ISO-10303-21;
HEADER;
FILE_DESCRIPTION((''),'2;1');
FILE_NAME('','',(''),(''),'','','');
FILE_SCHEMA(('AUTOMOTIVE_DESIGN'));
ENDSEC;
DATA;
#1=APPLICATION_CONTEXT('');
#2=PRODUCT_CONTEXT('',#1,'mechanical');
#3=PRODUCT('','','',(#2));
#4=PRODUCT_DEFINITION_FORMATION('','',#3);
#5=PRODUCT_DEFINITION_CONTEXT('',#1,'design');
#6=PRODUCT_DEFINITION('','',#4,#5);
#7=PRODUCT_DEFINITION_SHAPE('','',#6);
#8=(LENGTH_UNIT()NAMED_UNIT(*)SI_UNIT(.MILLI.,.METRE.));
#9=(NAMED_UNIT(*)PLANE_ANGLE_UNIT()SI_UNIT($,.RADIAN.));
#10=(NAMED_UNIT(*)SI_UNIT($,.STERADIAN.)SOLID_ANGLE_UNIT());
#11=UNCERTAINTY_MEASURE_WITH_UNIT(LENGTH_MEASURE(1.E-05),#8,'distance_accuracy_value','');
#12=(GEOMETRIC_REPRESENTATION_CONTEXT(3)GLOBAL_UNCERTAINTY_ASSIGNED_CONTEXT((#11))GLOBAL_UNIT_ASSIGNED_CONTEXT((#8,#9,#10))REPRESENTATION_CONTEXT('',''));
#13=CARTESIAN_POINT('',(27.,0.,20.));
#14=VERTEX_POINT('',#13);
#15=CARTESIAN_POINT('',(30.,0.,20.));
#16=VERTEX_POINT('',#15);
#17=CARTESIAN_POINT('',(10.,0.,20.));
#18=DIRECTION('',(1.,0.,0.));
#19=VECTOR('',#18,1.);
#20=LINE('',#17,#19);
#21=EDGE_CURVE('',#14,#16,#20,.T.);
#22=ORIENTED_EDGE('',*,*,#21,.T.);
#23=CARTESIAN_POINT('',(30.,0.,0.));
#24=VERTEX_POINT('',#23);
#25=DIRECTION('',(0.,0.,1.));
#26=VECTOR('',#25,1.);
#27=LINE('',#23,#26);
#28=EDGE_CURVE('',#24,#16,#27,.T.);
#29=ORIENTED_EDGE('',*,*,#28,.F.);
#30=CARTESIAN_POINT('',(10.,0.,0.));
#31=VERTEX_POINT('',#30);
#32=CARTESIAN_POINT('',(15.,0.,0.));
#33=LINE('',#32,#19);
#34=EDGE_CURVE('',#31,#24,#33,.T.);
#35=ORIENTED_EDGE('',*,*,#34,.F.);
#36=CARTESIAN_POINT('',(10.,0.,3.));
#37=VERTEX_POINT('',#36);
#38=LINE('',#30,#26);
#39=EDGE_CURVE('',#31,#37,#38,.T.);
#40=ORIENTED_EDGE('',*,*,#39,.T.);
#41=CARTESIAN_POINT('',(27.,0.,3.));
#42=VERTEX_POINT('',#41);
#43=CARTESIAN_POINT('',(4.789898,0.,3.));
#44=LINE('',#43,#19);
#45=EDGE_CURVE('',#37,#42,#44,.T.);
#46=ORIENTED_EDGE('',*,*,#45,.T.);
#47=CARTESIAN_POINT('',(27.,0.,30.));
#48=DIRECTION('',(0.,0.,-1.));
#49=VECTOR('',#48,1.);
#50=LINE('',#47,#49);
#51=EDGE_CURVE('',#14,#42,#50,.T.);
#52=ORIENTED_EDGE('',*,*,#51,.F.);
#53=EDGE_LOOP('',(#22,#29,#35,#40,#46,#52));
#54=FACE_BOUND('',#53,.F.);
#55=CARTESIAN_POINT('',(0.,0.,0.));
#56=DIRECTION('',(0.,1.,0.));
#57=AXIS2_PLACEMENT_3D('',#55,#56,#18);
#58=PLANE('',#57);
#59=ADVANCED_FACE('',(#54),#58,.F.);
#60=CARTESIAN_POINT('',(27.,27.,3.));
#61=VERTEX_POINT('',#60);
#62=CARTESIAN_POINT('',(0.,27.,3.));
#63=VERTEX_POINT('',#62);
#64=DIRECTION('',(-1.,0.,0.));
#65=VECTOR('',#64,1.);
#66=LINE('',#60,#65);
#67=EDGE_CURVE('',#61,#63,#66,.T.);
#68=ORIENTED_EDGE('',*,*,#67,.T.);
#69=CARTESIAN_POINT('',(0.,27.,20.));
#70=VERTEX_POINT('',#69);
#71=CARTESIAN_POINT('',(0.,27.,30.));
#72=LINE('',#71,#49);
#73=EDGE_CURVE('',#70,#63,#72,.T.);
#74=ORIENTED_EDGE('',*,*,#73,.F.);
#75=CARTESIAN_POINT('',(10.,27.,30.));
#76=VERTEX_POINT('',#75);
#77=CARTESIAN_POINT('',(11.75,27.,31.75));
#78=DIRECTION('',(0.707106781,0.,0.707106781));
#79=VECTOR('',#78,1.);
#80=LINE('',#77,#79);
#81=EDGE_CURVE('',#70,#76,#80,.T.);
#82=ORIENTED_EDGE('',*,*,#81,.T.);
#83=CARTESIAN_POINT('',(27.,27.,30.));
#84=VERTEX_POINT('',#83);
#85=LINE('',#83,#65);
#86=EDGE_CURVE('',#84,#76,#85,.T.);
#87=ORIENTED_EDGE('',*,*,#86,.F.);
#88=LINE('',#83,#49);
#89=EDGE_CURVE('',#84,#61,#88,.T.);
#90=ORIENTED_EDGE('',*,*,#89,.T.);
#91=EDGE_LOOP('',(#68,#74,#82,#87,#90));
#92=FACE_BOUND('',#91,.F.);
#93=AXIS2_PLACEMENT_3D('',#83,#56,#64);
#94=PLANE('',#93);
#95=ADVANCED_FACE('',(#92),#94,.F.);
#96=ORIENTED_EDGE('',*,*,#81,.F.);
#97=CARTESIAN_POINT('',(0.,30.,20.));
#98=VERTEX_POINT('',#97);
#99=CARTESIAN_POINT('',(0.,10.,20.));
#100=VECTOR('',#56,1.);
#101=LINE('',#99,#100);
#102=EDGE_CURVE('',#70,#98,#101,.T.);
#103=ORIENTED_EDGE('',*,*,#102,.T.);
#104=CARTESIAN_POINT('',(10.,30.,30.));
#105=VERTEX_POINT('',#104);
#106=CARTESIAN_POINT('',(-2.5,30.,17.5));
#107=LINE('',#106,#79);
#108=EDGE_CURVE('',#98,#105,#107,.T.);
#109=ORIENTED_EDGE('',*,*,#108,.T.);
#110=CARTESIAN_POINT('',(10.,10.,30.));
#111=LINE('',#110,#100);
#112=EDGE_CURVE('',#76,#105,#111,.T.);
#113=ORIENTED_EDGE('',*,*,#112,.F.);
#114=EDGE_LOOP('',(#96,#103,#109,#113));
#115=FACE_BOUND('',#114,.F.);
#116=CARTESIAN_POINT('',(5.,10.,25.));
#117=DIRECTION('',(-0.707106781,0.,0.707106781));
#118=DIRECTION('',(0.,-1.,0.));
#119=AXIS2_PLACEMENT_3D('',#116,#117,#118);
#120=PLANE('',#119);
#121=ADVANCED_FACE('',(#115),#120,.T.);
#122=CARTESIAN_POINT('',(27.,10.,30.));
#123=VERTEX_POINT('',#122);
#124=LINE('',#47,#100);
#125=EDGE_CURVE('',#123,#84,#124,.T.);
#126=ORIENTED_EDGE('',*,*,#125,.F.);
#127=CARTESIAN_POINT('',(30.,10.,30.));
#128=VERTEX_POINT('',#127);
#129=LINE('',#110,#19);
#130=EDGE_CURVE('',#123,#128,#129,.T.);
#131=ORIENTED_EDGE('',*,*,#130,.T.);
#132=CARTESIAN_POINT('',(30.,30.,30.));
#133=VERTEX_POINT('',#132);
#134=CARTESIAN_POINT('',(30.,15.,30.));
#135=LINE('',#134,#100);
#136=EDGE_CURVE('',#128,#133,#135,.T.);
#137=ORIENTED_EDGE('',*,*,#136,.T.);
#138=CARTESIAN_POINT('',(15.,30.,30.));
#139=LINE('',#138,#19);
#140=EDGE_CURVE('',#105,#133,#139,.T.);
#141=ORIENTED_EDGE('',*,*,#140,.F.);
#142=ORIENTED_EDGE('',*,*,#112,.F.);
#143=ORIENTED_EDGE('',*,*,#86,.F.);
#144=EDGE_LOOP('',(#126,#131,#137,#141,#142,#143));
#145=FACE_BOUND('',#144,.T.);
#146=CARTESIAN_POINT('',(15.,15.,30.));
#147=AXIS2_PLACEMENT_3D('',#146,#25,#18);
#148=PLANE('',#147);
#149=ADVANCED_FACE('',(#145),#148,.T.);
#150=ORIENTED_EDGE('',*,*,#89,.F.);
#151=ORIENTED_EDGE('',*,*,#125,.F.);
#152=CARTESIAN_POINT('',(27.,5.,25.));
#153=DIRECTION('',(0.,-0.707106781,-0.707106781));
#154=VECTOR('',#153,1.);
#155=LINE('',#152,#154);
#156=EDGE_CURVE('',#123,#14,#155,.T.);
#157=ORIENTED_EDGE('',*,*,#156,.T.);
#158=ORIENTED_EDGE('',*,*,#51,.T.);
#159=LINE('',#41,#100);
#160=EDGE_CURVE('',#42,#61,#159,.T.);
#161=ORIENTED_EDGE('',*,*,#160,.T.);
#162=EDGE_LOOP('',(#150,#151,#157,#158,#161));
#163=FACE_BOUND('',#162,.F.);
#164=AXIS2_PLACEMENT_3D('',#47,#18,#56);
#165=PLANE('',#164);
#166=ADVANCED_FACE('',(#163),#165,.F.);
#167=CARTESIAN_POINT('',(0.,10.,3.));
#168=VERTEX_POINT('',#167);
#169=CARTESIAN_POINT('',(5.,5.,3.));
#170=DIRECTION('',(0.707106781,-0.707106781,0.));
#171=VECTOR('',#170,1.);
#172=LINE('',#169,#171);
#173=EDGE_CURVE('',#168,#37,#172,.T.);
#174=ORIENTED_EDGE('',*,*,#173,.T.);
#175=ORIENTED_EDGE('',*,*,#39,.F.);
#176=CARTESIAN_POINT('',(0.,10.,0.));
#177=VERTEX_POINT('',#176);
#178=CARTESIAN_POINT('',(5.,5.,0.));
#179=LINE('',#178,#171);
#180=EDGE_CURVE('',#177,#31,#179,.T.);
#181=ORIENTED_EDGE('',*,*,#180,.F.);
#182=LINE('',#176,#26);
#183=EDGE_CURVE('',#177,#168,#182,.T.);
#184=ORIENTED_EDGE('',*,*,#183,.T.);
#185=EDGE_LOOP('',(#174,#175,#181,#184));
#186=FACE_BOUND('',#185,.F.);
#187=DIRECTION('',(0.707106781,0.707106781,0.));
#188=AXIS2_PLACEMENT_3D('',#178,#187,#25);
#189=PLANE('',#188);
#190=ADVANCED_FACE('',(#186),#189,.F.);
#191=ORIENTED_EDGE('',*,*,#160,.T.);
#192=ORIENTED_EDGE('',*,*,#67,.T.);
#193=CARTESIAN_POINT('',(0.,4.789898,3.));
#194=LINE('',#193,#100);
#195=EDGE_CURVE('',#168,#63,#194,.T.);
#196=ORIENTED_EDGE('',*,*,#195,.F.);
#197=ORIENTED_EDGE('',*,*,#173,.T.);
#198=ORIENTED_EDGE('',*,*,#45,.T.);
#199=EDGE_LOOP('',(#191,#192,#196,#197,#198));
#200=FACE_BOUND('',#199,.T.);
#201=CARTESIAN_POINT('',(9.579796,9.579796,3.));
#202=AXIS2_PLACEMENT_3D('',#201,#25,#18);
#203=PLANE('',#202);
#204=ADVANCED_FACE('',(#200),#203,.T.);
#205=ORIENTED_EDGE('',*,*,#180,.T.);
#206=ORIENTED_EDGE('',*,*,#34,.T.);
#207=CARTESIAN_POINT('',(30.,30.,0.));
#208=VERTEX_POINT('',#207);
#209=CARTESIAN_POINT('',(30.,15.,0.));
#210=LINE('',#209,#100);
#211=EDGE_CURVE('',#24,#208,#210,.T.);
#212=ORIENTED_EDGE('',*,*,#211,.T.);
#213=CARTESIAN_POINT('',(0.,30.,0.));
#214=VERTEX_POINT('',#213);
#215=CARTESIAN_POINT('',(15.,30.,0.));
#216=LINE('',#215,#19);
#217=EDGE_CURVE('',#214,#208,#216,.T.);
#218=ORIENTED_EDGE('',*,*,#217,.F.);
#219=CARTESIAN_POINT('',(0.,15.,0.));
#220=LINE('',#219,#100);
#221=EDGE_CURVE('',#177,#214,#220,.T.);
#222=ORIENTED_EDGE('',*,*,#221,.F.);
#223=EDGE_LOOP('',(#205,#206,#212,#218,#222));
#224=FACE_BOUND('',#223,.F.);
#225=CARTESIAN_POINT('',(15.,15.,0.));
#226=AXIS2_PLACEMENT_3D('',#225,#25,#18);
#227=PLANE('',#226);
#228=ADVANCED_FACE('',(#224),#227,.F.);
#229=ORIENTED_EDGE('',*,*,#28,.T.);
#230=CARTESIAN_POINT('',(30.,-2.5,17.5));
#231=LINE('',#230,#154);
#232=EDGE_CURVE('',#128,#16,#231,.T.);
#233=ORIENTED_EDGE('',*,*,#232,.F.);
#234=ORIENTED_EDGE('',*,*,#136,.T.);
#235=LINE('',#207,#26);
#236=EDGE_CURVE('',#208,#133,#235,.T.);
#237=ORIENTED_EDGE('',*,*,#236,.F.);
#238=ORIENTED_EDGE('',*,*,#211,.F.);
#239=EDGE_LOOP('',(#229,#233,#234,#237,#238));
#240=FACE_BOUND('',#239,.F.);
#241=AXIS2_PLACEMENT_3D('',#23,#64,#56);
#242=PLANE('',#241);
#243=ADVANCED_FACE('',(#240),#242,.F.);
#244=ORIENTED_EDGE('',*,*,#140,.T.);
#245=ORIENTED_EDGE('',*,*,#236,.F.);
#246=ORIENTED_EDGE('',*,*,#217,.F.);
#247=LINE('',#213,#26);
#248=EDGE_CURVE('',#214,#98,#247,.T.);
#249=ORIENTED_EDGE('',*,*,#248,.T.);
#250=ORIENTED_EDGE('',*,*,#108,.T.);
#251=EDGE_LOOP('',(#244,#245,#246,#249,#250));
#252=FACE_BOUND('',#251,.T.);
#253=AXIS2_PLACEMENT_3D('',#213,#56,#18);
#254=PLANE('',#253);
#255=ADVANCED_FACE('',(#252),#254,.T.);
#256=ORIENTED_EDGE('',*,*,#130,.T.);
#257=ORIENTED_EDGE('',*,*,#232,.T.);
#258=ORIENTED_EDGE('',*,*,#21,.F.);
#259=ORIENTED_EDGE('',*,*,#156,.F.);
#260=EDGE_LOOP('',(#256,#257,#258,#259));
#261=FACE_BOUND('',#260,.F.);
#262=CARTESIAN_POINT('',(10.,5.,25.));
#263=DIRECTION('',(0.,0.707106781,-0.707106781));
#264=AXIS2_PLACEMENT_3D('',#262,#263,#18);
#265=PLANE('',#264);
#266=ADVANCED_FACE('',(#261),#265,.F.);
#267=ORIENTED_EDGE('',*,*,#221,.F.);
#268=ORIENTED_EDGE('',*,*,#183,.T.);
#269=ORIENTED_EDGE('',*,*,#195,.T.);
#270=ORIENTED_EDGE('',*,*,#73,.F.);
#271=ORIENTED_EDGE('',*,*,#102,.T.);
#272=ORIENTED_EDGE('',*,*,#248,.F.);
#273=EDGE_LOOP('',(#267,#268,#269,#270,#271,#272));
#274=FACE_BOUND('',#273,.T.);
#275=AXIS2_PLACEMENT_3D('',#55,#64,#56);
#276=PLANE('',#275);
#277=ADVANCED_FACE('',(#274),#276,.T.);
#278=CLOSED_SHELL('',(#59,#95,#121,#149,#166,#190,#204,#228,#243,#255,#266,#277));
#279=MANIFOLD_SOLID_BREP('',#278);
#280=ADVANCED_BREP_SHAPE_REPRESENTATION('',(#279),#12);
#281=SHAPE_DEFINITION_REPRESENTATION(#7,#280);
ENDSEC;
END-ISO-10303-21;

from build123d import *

# Parameters (mm, degrees)
F0_W     = 30
F0_H     = 30
F1_DEPTH = 30
F2_SIZE  = 10
F3_SIZE  = 10
F5_DEPTH = 27


with BuildPart() as f1:
    # F0 (on Top) → F1 (new body)
    with BuildSketch(Plane.XY):
        with Locations((15, 15)):
            Rectangle(F0_W, F0_H)
    extrude(amount=F1_DEPTH)

    # F2
    f2_edges = [f1.edges().sort_by_distance(p)[0] for p in [
        (0, 0, 15),
    ]]
    chamfer(f2_edges, length=F2_SIZE)

    # F3
    f3_edges = [f1.edges().sort_by_distance(p)[0] for p in [
        (20, 0, 30),
        (5, 5, 30),
        (0, 20, 30),
    ]]
    chamfer(f3_edges, length=F3_SIZE)

    # F4 (on face) → F5 (cut)
    with BuildSketch(Plane.XY.offset(30)):
        with BuildLine():
            Line((27, 27), (0, 27))
            ThreePointArc((0, 27), (-6.8211951152, -6.8211951152), (27, 0))
            Line((27, 0), (27, 27))
        make_face()
    extrude(amount=-F5_DEPTH, mode=Mode.SUBTRACT)


solid = f1.part
